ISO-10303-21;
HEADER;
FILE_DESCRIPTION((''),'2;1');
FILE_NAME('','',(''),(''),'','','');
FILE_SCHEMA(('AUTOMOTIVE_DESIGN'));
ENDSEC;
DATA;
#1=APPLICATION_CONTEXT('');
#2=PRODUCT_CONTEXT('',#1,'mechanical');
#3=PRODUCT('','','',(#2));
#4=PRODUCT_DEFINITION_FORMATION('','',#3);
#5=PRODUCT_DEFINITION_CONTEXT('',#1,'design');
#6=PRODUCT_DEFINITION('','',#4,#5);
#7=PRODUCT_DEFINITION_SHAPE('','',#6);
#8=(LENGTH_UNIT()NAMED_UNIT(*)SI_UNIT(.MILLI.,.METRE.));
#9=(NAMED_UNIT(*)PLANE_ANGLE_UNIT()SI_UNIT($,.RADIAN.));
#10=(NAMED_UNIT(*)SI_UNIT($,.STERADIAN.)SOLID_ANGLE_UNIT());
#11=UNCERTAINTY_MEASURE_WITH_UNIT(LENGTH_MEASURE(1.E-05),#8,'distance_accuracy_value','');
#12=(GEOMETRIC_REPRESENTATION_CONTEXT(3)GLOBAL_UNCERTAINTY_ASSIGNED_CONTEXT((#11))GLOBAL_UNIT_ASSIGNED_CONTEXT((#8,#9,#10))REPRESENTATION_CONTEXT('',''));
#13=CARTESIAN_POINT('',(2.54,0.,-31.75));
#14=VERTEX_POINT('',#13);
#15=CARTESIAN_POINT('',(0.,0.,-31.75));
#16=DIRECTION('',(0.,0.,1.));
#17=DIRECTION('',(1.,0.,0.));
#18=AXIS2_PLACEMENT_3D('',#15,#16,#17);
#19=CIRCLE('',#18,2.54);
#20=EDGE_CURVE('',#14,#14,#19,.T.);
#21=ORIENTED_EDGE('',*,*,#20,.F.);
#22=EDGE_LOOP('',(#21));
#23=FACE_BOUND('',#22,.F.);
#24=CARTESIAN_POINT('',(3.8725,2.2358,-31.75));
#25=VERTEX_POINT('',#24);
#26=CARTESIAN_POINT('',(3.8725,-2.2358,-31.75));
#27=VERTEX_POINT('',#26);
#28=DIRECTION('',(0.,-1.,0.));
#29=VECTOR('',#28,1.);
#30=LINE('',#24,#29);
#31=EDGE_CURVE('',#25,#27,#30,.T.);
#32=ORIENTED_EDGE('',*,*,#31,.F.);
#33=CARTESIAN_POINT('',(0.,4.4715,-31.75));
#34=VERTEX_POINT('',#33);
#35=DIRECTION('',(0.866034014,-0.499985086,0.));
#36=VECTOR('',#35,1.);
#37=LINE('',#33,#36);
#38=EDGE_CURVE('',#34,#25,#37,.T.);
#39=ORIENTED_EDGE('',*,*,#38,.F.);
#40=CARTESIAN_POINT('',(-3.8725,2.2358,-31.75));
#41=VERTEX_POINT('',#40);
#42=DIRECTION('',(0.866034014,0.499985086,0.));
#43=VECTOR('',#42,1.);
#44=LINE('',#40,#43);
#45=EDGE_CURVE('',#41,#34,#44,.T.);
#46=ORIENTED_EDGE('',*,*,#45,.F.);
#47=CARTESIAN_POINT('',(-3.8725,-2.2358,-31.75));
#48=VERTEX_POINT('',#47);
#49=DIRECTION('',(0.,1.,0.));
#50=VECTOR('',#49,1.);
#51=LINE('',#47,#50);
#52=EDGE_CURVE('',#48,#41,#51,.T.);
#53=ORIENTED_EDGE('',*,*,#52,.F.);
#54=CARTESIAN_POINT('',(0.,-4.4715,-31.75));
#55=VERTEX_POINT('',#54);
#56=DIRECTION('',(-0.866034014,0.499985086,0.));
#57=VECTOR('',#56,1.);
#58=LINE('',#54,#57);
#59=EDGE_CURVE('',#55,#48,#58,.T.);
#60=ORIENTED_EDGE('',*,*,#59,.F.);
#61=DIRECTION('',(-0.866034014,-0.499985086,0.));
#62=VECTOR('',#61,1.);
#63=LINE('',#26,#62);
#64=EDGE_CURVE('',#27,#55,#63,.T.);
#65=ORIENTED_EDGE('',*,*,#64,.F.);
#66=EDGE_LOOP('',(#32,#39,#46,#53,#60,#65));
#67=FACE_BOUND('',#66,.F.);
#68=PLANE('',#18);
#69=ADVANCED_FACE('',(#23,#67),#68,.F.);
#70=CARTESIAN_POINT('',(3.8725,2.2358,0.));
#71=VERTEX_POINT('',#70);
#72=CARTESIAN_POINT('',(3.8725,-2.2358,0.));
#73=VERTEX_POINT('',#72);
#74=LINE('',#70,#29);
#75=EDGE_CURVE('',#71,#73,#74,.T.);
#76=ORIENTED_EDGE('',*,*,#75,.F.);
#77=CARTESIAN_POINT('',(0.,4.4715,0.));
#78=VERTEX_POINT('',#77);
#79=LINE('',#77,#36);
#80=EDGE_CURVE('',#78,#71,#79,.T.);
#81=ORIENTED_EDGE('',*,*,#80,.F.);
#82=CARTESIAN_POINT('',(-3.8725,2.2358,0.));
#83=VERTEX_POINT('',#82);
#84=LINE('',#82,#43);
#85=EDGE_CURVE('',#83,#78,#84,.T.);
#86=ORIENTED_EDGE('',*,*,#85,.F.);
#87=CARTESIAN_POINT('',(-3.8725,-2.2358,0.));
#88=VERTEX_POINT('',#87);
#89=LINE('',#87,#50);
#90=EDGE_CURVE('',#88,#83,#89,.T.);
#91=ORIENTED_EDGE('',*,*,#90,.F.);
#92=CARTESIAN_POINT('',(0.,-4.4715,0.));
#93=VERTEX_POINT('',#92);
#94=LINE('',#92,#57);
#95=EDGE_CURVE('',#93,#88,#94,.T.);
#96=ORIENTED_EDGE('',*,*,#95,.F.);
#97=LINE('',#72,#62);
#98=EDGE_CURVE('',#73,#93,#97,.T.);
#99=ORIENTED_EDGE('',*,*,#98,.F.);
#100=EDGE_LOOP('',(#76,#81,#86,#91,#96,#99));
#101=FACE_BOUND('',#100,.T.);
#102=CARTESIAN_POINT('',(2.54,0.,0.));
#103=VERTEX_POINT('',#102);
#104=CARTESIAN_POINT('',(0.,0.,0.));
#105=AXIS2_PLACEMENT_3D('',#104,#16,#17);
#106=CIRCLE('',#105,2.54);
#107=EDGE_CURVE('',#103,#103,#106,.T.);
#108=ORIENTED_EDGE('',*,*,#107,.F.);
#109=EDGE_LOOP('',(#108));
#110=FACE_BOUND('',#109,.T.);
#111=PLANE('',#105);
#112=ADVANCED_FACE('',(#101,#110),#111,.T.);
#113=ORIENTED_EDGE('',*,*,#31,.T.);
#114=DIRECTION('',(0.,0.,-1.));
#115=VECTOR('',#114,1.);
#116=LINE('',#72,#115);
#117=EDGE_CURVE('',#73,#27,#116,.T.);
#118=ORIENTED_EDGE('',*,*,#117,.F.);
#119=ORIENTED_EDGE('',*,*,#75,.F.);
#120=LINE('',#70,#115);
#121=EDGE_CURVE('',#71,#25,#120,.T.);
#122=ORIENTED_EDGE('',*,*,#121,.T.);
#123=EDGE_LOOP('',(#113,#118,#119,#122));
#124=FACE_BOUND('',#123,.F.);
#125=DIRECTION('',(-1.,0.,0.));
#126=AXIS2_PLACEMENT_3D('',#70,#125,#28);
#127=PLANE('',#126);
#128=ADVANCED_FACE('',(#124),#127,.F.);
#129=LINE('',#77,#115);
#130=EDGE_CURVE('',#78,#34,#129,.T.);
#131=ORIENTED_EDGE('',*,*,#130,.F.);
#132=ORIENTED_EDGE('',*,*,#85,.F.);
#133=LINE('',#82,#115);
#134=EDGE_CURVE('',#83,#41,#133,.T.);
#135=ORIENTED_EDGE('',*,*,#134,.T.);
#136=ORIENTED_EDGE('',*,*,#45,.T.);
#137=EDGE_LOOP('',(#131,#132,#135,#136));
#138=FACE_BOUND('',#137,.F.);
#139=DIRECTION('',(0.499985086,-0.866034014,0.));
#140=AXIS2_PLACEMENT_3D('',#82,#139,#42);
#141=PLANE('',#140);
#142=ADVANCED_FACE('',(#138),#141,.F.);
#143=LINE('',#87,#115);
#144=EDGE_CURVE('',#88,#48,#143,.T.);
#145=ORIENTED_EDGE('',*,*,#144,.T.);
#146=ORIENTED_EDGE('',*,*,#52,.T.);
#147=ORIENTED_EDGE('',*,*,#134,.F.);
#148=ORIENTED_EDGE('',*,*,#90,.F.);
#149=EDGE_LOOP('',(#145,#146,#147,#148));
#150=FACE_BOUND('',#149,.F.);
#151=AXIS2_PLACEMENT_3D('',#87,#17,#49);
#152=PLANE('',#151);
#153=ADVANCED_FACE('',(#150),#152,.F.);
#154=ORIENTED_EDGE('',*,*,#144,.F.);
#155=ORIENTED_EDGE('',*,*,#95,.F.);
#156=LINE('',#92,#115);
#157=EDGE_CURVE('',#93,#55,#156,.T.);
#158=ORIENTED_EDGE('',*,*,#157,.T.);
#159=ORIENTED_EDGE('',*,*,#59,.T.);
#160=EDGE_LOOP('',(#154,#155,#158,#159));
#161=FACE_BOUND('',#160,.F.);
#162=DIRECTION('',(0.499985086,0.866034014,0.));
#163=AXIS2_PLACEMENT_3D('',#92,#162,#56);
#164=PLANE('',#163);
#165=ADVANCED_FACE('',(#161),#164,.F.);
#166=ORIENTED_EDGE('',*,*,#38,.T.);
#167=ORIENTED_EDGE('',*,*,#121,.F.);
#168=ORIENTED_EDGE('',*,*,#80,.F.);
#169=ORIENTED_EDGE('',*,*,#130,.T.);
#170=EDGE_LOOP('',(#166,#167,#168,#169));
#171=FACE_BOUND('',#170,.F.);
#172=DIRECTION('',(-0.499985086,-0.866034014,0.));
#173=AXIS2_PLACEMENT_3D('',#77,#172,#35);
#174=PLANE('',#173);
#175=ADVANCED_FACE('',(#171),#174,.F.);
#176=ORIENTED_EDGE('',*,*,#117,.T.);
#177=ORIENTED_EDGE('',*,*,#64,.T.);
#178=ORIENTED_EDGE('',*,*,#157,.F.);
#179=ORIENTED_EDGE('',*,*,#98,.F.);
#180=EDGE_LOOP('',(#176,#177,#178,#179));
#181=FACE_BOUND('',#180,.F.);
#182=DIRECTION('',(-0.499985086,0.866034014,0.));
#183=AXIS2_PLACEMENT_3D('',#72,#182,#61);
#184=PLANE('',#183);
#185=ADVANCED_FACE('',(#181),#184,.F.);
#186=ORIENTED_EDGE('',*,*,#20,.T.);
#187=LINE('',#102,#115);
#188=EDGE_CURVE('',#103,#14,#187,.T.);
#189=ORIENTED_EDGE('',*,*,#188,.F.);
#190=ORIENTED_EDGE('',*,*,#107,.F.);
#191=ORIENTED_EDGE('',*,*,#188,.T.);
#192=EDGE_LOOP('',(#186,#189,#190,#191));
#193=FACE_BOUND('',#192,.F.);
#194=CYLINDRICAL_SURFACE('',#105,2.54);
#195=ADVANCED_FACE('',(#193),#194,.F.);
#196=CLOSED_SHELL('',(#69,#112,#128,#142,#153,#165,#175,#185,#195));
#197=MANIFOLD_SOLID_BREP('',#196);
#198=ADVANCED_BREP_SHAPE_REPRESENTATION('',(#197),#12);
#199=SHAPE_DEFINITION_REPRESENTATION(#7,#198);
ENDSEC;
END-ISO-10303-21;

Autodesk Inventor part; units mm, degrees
ref_plane "YZ Plane" through (0, 0, 0) normal (1, 0, 0) x (0, 1, 0)
ref_plane "XZ Plane" through (0, 0, 0) normal (0, 1, 0) x (-1, 0, 0)
ref_plane "XY Plane" through (0, 0, 0) normal (0, 0, 1) x (1, 0, 0)
sketch "Sketch1" plane through (0, 0, 0) normal (0, 0, 1) x (1, 0, 0)
  circle A0 centre (0, 0) radius 3.81
  circle A1 centre (0, 0) radius 2.54
  line L0 (0, 4.4715) -> (3.8725, 2.2358)
  line L1 (3.8725, 2.2358) -> (3.8725, -2.2358)
  line L2 (3.8725, -2.2358) -> (0, -4.4715)
  line L3 (0, -4.4715) -> (-3.8725, -2.2358)
  line L4 (-3.8725, -2.2358) -> (-3.8725, 2.2358)
  line L5 (-3.8725, 2.2358) -> (0, 4.4715)
  dimension "d0" = 5.08
  dimension "d1" = 7.62
extrude "Extrusion1" add sketch "Sketch1" against normal blind 31.75 contours A0 | L0 L1 L2 L3 L4 L5
properties part number "Stand offs BD motor mount"
